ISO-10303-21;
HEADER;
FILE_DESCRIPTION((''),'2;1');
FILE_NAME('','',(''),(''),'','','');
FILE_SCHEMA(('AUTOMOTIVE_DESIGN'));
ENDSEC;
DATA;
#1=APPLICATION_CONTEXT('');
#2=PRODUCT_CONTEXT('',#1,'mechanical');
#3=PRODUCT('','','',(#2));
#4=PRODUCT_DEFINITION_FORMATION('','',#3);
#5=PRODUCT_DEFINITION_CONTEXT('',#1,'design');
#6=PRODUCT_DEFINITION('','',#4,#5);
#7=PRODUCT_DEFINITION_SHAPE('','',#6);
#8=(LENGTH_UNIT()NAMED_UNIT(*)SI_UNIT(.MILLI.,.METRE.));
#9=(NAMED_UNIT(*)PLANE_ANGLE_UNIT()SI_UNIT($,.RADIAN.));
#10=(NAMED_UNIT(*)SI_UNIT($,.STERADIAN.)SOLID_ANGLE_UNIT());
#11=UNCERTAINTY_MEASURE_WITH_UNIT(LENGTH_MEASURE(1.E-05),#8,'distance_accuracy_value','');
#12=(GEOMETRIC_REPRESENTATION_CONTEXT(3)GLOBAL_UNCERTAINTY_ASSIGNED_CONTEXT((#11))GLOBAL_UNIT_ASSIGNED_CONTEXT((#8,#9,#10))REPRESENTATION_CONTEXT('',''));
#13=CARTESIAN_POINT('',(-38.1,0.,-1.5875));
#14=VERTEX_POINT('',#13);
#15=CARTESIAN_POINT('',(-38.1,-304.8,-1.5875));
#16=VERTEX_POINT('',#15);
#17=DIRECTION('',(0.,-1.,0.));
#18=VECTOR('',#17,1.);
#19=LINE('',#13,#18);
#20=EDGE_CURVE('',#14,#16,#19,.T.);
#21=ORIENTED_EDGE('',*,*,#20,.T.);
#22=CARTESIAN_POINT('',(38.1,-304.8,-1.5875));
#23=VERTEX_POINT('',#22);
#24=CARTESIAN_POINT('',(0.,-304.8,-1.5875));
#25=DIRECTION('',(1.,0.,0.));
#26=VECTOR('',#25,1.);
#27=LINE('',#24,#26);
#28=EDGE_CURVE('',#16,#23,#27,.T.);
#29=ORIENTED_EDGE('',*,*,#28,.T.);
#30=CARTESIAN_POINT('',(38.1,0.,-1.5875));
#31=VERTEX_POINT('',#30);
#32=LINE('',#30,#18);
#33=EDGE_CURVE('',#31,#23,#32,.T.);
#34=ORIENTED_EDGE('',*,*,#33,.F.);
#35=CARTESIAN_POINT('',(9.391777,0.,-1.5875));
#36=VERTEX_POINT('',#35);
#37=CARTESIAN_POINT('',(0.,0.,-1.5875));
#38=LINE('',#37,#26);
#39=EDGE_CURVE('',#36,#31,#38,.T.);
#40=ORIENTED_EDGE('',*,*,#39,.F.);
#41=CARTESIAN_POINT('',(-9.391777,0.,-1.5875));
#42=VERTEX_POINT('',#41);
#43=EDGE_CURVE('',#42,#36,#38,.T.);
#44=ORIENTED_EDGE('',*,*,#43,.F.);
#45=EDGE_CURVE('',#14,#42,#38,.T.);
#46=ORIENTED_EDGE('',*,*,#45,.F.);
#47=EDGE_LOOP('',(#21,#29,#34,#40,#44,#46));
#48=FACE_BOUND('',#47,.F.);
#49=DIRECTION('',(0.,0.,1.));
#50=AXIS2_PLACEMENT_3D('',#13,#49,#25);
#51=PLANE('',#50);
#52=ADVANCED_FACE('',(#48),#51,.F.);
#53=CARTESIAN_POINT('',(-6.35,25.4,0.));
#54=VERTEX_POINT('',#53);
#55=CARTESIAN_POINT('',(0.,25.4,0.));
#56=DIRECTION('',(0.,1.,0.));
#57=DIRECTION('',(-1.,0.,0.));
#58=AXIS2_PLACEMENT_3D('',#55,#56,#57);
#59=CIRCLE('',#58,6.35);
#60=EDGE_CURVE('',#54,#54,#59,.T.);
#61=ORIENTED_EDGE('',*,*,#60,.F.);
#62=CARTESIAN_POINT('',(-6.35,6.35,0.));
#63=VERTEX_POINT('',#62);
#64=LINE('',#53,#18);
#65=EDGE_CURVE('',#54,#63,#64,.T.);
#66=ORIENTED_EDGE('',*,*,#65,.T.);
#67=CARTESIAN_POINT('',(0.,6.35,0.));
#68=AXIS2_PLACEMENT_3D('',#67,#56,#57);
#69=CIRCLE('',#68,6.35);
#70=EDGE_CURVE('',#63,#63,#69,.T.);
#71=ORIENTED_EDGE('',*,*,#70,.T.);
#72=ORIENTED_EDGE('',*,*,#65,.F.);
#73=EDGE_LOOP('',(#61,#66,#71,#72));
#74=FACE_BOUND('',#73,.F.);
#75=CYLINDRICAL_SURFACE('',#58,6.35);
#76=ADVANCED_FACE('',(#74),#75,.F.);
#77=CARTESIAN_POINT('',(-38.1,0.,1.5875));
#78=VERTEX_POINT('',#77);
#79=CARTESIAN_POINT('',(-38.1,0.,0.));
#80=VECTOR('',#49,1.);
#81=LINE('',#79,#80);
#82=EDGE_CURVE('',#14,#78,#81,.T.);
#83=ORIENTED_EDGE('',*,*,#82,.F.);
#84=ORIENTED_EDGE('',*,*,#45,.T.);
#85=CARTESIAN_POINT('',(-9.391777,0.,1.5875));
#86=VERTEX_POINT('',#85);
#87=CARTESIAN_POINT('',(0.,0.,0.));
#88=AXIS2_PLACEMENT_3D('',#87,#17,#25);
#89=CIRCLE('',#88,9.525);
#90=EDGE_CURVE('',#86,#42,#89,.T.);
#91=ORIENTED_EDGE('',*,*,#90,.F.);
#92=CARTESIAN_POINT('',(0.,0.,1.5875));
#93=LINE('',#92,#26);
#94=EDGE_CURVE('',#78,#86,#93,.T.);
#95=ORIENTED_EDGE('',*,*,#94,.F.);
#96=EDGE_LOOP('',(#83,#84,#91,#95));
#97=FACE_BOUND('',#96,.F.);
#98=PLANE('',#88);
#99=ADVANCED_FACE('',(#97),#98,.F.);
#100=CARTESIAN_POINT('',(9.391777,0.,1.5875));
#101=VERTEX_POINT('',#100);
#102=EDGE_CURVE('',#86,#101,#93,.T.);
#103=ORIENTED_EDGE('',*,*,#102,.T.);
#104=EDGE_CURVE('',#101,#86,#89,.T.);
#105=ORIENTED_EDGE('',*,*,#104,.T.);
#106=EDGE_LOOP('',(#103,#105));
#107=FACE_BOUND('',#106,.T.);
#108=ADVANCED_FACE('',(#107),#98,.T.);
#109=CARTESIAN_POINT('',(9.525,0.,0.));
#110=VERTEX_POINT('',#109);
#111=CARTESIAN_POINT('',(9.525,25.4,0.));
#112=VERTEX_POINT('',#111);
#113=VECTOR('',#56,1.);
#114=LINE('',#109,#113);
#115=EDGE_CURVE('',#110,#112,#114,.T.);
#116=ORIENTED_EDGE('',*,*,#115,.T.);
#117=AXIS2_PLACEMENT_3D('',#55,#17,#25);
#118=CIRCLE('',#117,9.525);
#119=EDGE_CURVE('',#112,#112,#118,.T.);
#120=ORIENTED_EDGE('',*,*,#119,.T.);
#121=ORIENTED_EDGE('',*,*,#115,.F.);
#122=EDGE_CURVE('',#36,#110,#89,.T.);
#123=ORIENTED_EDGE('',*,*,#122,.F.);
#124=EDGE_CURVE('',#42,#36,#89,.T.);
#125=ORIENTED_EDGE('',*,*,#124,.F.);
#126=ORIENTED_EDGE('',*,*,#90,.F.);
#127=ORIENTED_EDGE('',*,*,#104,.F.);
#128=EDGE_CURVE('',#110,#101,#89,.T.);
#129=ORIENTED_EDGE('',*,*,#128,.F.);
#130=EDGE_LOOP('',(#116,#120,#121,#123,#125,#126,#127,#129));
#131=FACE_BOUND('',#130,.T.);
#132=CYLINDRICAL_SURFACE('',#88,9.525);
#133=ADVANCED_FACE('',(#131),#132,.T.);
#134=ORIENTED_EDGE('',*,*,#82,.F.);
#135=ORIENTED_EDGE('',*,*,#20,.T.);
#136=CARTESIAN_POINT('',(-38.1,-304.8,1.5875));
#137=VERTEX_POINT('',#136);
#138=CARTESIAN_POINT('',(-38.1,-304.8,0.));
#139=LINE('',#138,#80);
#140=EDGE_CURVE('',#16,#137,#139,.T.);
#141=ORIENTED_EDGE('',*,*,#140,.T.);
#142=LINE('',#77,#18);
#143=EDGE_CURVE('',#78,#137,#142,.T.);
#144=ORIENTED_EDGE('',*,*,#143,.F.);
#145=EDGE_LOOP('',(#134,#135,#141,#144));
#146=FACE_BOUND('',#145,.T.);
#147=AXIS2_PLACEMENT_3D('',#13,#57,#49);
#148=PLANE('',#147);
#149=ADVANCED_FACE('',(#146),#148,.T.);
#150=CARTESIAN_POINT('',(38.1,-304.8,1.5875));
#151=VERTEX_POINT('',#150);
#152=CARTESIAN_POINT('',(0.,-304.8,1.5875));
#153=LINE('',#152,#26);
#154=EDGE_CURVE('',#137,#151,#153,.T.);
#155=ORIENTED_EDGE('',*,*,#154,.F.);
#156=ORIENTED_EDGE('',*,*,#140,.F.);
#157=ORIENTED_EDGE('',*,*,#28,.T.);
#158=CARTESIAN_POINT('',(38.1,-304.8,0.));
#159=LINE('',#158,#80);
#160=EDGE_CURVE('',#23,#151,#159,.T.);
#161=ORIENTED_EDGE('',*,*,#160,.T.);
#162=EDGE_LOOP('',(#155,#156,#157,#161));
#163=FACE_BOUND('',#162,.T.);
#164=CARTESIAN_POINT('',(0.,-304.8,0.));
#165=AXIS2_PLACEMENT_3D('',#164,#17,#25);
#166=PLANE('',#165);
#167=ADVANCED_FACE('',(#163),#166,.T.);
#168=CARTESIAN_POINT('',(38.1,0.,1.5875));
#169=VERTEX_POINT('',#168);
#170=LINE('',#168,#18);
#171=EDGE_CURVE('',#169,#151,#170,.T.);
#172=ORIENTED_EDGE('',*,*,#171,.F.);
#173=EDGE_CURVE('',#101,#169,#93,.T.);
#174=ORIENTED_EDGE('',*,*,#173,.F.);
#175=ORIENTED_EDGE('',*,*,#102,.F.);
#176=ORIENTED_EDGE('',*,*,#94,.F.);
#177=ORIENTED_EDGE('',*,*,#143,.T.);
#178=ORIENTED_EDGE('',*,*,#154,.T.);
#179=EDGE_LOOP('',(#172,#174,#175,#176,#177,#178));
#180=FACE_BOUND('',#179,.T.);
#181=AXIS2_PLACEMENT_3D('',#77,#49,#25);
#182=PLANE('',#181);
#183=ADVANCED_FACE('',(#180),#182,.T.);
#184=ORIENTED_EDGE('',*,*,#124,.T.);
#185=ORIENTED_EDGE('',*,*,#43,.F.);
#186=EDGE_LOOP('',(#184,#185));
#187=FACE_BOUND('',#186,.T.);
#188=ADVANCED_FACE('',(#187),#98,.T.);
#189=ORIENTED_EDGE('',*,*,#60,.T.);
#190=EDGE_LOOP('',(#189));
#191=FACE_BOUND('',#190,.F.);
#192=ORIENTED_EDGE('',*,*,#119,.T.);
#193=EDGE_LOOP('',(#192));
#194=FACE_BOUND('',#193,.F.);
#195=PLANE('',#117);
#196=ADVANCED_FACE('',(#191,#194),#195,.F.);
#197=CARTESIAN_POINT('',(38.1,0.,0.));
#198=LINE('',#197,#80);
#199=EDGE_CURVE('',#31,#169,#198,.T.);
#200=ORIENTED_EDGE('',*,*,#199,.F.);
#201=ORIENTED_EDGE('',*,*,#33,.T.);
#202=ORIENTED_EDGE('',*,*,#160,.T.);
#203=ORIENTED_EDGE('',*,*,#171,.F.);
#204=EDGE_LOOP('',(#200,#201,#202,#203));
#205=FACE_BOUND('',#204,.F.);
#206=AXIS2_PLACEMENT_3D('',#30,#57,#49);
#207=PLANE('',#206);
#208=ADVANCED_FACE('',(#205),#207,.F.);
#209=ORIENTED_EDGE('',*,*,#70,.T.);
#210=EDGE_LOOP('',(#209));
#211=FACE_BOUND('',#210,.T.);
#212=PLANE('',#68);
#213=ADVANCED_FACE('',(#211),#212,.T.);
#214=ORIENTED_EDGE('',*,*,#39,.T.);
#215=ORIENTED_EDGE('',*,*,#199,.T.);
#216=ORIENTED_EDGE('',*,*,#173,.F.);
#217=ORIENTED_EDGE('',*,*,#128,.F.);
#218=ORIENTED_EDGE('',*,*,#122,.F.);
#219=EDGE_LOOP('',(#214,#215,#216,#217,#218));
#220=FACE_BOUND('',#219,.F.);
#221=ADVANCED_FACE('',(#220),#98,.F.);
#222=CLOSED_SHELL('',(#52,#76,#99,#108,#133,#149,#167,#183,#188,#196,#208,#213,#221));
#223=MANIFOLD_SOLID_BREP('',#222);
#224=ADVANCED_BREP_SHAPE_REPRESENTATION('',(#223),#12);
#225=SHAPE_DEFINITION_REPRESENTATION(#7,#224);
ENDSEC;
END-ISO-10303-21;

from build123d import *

# Parameters (mm, degrees)
F0_R     = 9.525
F1_DEPTH = 25.4
F2_R     = 6.35
F3_DEPTH = 19.05
F4_W     = 76.2
F4_H     = 3.175
F5_DEPTH = 304.8


with BuildPart() as f1:
    # F0 (on Front) → F1 (new body)
    with BuildSketch(Plane.XZ):
        Circle(F0_R)
    extrude(amount=-F1_DEPTH)

    # F2 (on face) → F3 (cut)
    with BuildSketch(Plane(origin=(0, 25.4, 0), x_dir=(-1, 0, 0), z_dir=(0, 1, 0))):
        Circle(F2_R)
    extrude(amount=-F3_DEPTH, mode=Mode.SUBTRACT)

    # F4 (on Front) → F5 (join)
    with BuildSketch(Plane.XZ):
        Rectangle(F4_W, F4_H)
    extrude(amount=F5_DEPTH)


solid = f1.part
